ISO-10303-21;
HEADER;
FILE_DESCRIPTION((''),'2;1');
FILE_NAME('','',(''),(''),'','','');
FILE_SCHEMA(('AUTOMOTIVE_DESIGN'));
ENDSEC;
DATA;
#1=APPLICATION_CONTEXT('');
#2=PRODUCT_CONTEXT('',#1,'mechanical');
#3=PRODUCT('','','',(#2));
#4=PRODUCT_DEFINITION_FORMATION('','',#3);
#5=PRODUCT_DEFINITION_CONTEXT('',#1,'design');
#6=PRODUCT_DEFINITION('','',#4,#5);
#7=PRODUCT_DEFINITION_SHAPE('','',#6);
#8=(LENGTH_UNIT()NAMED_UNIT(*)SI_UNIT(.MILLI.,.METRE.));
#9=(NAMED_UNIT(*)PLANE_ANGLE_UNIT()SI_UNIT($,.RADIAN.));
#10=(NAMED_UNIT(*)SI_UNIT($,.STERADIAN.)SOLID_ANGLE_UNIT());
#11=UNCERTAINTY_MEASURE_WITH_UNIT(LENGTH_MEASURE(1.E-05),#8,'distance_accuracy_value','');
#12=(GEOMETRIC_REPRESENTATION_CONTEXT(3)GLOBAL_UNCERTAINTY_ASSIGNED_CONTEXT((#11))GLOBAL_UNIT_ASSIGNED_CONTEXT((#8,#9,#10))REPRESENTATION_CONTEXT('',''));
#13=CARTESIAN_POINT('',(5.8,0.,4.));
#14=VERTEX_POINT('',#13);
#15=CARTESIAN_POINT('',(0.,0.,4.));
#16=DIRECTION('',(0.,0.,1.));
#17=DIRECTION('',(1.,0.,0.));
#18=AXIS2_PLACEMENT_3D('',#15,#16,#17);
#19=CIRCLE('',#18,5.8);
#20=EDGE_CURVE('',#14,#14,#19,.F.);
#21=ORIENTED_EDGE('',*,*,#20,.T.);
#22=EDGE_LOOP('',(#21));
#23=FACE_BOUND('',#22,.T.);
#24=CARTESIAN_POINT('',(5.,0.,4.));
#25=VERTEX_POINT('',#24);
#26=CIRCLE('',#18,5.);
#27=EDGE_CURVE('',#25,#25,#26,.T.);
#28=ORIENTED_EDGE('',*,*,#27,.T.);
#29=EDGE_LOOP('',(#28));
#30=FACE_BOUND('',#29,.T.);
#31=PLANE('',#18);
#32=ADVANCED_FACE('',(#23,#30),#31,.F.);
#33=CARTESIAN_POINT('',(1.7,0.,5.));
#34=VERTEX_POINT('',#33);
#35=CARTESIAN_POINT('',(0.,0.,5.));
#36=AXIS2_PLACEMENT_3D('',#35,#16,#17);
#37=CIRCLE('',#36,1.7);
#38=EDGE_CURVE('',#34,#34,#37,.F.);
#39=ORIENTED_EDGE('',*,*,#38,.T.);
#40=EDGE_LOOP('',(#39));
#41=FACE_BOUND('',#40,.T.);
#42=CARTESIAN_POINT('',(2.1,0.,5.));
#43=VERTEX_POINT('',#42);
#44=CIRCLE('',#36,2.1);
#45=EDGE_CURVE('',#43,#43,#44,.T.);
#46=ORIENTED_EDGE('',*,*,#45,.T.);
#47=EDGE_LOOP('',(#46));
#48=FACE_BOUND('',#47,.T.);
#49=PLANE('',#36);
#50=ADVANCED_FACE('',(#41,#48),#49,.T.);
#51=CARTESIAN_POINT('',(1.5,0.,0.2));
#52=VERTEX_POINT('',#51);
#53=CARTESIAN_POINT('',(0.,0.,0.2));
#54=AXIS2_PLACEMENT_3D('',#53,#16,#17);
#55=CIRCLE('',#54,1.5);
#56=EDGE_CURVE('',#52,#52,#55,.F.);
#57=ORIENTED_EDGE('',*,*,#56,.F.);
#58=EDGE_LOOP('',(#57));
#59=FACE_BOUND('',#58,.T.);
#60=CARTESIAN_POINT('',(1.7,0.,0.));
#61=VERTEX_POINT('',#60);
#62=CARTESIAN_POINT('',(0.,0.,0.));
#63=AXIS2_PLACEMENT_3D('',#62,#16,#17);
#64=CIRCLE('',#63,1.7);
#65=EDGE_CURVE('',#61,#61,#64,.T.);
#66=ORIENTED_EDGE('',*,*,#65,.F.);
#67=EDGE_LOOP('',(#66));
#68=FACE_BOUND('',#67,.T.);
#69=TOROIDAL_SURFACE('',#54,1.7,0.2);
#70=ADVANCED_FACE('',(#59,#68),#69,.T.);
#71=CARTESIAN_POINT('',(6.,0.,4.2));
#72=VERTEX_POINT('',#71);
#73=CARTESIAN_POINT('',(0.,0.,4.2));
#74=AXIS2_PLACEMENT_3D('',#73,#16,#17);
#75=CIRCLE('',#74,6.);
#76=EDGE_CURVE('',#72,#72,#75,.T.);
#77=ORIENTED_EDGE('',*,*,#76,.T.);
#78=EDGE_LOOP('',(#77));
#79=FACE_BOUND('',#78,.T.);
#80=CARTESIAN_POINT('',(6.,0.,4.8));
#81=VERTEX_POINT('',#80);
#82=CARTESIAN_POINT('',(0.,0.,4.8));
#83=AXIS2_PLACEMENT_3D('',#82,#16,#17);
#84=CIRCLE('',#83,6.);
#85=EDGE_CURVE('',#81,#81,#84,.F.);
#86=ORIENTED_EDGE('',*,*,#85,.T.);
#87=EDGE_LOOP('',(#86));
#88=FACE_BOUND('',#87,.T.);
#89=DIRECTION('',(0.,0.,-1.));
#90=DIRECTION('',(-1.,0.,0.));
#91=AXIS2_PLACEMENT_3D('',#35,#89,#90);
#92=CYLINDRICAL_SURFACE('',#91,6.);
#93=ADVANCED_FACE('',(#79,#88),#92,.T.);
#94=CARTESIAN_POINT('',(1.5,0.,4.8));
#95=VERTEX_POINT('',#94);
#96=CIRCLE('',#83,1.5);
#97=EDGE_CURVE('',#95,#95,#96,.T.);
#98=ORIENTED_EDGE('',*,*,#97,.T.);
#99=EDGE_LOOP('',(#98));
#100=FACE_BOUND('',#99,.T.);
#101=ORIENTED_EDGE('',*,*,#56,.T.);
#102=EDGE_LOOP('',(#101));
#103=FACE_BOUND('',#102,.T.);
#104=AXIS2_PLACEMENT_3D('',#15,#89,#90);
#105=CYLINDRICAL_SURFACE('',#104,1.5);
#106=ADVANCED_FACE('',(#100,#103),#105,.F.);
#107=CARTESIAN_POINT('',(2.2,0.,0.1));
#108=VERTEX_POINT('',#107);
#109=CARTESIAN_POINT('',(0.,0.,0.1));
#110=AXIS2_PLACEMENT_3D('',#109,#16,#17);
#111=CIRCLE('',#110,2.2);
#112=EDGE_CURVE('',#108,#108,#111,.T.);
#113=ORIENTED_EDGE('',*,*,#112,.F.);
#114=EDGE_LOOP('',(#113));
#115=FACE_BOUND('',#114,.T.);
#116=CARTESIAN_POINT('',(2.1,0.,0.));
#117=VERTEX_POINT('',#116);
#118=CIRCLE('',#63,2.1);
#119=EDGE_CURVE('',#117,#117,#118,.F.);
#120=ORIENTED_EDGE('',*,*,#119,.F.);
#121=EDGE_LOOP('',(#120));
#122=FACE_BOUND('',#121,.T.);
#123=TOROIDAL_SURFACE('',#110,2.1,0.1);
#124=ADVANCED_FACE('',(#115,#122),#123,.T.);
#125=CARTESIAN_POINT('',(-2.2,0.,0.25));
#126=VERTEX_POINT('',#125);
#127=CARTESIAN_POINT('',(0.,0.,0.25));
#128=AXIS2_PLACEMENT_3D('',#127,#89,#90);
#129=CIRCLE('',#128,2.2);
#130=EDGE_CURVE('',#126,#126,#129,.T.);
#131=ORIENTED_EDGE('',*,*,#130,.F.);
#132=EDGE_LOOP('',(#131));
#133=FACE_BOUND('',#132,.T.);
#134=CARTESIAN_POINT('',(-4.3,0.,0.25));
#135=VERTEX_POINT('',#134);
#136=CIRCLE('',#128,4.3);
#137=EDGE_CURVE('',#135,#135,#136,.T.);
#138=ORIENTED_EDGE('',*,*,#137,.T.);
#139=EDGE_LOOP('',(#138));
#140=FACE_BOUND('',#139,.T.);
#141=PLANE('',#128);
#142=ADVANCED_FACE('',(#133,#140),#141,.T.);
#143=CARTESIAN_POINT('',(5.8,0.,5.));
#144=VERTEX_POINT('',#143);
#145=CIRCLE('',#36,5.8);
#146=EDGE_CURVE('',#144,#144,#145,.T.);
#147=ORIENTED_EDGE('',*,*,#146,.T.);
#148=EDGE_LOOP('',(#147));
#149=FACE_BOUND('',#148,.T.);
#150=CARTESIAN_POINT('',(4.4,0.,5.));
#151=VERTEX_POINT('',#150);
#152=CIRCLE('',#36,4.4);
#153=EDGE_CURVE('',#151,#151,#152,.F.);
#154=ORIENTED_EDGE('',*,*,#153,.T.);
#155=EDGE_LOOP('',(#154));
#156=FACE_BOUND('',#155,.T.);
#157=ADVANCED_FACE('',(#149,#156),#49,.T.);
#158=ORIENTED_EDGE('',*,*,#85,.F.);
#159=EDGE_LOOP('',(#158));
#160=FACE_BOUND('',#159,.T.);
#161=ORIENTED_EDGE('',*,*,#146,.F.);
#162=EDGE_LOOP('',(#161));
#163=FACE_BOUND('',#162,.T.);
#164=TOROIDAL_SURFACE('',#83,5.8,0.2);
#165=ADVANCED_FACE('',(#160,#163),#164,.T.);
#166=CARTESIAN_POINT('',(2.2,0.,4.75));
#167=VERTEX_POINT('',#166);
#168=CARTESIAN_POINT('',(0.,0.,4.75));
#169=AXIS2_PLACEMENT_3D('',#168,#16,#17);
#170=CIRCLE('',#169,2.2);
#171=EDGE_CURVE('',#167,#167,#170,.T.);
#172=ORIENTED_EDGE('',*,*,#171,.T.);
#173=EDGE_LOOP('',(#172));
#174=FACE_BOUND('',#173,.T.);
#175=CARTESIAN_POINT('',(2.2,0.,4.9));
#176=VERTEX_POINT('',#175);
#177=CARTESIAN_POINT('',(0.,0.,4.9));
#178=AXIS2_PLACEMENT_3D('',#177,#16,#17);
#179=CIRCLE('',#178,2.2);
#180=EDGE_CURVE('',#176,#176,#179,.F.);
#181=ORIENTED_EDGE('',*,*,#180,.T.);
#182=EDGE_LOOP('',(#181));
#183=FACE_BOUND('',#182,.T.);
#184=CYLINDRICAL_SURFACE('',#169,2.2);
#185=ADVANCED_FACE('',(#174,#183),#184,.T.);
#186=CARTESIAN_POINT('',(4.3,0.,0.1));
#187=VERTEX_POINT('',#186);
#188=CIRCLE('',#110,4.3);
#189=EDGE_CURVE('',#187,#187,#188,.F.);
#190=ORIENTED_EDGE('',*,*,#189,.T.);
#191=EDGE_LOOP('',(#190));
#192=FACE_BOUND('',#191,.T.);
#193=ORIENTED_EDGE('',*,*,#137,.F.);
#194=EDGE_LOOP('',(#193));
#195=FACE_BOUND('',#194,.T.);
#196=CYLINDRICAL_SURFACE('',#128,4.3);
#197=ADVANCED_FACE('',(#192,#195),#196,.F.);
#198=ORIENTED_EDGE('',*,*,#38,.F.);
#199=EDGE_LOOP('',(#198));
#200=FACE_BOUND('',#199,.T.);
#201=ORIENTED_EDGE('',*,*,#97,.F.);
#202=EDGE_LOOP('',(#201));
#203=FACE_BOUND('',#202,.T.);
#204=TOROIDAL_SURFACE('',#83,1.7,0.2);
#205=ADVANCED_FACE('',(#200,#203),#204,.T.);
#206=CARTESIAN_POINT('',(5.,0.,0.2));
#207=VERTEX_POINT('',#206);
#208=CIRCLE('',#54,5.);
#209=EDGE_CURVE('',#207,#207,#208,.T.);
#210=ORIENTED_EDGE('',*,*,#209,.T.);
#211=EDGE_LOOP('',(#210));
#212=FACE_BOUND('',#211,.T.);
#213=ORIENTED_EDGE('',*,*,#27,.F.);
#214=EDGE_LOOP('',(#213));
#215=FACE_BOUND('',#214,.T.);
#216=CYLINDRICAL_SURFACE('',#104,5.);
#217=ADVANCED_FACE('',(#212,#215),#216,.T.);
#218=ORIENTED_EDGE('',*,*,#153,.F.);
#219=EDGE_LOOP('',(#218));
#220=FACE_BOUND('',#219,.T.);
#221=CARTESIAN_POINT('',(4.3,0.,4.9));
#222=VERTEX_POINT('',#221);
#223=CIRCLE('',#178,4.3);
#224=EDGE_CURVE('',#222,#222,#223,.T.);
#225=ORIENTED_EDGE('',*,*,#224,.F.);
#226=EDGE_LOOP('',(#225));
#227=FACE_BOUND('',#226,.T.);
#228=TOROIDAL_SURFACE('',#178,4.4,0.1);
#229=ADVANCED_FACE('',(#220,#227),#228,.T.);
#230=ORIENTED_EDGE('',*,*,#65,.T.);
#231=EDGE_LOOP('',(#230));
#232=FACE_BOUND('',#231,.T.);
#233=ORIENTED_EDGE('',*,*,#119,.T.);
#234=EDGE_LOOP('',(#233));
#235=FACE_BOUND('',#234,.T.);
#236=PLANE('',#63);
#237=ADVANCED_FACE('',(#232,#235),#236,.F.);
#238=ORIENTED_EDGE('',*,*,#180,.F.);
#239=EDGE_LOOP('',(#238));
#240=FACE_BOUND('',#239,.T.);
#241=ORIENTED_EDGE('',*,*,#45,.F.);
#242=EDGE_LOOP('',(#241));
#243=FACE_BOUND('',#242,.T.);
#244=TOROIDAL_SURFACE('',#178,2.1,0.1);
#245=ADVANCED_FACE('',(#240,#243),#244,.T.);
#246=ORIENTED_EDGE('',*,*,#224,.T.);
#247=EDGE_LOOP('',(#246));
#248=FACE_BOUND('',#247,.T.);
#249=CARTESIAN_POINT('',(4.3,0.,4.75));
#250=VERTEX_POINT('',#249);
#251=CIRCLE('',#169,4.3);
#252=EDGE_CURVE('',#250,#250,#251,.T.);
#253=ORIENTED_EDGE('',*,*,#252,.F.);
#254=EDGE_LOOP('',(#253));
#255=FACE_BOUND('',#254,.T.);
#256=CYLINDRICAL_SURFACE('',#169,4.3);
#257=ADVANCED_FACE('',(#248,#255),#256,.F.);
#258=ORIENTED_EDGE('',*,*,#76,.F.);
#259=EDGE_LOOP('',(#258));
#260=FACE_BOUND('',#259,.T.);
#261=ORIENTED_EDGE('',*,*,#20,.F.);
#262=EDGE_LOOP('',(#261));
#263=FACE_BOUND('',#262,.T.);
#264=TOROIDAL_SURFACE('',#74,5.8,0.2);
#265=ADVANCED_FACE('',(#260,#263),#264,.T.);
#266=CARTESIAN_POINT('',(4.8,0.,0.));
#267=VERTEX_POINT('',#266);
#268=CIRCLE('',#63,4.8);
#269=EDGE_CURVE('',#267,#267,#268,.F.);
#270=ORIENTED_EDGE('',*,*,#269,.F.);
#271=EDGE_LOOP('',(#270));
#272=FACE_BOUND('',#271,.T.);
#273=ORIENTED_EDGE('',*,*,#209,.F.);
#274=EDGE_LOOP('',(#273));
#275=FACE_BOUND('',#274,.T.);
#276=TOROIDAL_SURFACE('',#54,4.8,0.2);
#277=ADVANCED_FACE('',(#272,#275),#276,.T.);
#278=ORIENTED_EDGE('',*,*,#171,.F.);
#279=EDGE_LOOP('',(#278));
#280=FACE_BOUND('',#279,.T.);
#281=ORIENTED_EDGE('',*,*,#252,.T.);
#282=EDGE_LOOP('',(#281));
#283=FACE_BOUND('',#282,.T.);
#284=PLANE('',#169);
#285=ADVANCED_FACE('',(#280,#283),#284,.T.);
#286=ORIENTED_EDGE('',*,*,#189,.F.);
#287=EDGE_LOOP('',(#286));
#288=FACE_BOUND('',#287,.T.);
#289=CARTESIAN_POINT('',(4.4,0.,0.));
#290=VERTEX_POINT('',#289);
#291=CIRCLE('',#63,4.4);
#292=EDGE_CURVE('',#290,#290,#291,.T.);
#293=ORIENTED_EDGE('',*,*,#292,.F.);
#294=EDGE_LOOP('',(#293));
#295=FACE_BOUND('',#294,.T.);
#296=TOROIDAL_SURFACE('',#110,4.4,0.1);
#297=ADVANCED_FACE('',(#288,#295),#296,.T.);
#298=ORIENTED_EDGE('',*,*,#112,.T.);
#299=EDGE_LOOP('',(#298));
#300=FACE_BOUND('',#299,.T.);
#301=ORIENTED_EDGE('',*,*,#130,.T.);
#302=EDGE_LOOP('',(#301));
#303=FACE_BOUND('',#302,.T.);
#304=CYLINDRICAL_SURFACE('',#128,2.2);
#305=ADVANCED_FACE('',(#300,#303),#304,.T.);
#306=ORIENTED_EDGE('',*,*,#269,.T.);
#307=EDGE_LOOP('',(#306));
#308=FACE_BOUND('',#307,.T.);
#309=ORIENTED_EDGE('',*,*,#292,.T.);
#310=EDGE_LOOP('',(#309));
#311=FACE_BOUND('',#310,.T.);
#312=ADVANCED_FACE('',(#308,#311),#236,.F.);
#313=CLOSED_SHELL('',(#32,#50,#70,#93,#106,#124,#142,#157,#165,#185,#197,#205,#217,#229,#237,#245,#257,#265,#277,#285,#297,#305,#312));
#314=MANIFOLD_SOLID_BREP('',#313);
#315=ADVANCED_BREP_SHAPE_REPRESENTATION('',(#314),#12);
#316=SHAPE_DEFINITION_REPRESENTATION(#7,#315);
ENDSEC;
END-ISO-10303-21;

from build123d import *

# Parameters (mm, degrees)
SKETCH1_R           = 5
SKETCH1_R_2         = 1.5
BOSS_EXTRUDE1_DEPTH = 4
SKETCH2_R           = 6
SKETCH2_R_2         = 1.5
BOSS_EXTRUDE2_DEPTH = 1
FILLET1_R           = 0.2
SKETCH3_R           = 4.3
SKETCH3_R_2         = 2.2
CUT_EXTRUDE1_DEPTH  = 0.25
SKETCH4_R           = 4.3
SKETCH4_R_2         = 2.2
CUT_EXTRUDE2_DEPTH  = 0.25
FILLET2_R           = 0.1


with BuildPart() as part:
    # Sketch1 → Boss-Extrude1 (new body)
    with BuildSketch(Plane.XY):
        Circle(SKETCH1_R)
        Circle(SKETCH1_R_2, mode=Mode.SUBTRACT)
    extrude(amount=BOSS_EXTRUDE1_DEPTH)

    # Sketch2 → Boss-Extrude2 (add)
    with BuildSketch(Plane.XY.offset(4)):
        Circle(SKETCH2_R)
        Circle(SKETCH2_R_2, mode=Mode.SUBTRACT)
    extrude(amount=BOSS_EXTRUDE2_DEPTH)

    # Fillet1
    fillet1_edges = [part.edges().sort_by_distance(p)[0] for p in [
        (-6, 0, 4),
        (-1.5, 0, 5),
        (-5, 0, 0),
        (-1.5, 0, 0),
        (-6, 0, 5),
    ]]
    fillet(fillet1_edges, radius=FILLET1_R)

    # Sketch3 → Cut-Extrude1 (cut)
    with BuildSketch(Plane(origin=(0, 0, 0), x_dir=(-1, 0, 0), z_dir=(0, 0, -1))):
        Circle(SKETCH3_R)
        Circle(SKETCH3_R_2, mode=Mode.SUBTRACT)
    extrude(amount=-CUT_EXTRUDE1_DEPTH, mode=Mode.SUBTRACT)

    # Sketch4 → Cut-Extrude2 (cut)
    with BuildSketch(Plane.XY.offset(5)):
        Circle(SKETCH4_R)
        Circle(SKETCH4_R_2, mode=Mode.SUBTRACT)
    extrude(amount=-CUT_EXTRUDE2_DEPTH, mode=Mode.SUBTRACT)

    # Fillet2
    fillet2_edges = [part.edges().sort_by_distance(p)[0] for p in [
        (4.3, 0, 0),
        (2.2, 0, 0),
        (-4.3, 0, 5),
        (-2.2, 0, 5),
    ]]
    fillet(fillet2_edges, radius=FILLET2_R)


solid = part.part
